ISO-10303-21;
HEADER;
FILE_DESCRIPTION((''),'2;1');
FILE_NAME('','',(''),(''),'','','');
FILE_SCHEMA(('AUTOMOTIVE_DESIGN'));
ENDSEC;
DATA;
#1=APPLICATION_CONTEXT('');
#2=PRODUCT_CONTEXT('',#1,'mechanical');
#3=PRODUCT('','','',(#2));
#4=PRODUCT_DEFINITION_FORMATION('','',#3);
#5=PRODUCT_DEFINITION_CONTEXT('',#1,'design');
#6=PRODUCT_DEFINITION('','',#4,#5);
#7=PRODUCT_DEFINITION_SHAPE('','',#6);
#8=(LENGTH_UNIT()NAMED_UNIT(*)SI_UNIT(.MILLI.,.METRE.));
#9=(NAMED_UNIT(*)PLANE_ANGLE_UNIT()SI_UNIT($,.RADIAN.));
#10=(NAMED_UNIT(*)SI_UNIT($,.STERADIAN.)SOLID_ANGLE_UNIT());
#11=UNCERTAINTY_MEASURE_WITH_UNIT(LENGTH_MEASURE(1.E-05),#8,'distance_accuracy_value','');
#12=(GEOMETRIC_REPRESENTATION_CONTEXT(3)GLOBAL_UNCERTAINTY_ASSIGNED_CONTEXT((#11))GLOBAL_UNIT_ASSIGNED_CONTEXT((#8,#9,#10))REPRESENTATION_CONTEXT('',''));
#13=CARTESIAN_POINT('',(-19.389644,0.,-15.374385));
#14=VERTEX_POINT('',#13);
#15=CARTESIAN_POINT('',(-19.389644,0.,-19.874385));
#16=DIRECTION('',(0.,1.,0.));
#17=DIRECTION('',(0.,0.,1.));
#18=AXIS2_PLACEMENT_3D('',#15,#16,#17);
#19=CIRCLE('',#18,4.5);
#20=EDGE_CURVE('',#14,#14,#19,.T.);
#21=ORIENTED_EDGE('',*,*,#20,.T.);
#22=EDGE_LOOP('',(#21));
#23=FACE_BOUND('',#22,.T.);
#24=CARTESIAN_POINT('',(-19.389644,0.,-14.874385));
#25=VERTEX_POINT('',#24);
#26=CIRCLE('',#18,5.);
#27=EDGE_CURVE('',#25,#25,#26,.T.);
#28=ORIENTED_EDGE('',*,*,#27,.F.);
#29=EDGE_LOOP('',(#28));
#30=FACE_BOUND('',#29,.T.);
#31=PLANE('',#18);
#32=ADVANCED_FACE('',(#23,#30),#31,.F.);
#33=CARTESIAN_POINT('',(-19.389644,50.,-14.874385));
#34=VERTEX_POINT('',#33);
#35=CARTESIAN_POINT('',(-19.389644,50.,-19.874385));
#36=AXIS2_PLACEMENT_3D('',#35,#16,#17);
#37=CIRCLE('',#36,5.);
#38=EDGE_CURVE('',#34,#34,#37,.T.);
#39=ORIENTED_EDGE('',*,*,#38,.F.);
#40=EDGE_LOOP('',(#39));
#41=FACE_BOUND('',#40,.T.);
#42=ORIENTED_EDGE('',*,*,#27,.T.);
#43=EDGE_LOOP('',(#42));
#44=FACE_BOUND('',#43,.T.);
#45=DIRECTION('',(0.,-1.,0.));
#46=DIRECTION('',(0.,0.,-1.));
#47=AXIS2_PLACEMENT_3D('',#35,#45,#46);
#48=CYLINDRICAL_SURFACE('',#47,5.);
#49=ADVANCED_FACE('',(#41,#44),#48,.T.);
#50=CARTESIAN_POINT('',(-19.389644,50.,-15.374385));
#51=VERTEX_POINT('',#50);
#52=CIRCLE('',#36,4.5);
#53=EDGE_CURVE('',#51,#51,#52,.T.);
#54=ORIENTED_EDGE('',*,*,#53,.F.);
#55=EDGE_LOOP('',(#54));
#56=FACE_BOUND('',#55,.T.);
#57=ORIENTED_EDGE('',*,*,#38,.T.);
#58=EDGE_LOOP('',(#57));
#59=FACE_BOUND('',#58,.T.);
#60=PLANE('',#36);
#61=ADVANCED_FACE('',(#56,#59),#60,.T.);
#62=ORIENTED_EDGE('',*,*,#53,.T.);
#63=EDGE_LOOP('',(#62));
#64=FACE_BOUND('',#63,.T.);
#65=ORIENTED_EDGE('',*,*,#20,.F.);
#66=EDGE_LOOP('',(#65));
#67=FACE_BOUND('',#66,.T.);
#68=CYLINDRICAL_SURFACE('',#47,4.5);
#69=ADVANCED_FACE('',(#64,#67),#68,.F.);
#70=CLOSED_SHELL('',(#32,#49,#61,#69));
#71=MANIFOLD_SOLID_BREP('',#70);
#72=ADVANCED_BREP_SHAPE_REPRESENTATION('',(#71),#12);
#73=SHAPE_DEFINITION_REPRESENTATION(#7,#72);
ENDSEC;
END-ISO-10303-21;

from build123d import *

# Parameters (mm, degrees)
SKETCH_1_R          = 5
EXTRUDE_1_DEPTH     = 50
SKETCH_3_R          = 4.5
CUT_EXTRUDE_1_DEPTH = 61.939229807


with BuildPart() as part:
    # 草图1 → 凸台-拉伸1 (new body)
    with BuildSketch(Plane(origin=(0, 0, 0), x_dir=(1, 0, 0), z_dir=(0, 1, 0))):
        with Locations(Location((-19.389643608, 19.874384698, 0), (0, 0, 270))):
            Circle(SKETCH_1_R)
    extrude(amount=EXTRUDE_1_DEPTH)

    # 草图3 → 切除-拉伸1 (cut, through all)
    with BuildSketch(Plane(origin=(0, 0, 0), x_dir=(1, 0, 0), z_dir=(0, 1, 0))):
        with Locations(Location((-19.389643608, 19.874384698, 0), (0, 0, 270))):
            Circle(SKETCH_3_R)
    extrude(amount=CUT_EXTRUDE_1_DEPTH, mode=Mode.SUBTRACT)


solid = part.part
